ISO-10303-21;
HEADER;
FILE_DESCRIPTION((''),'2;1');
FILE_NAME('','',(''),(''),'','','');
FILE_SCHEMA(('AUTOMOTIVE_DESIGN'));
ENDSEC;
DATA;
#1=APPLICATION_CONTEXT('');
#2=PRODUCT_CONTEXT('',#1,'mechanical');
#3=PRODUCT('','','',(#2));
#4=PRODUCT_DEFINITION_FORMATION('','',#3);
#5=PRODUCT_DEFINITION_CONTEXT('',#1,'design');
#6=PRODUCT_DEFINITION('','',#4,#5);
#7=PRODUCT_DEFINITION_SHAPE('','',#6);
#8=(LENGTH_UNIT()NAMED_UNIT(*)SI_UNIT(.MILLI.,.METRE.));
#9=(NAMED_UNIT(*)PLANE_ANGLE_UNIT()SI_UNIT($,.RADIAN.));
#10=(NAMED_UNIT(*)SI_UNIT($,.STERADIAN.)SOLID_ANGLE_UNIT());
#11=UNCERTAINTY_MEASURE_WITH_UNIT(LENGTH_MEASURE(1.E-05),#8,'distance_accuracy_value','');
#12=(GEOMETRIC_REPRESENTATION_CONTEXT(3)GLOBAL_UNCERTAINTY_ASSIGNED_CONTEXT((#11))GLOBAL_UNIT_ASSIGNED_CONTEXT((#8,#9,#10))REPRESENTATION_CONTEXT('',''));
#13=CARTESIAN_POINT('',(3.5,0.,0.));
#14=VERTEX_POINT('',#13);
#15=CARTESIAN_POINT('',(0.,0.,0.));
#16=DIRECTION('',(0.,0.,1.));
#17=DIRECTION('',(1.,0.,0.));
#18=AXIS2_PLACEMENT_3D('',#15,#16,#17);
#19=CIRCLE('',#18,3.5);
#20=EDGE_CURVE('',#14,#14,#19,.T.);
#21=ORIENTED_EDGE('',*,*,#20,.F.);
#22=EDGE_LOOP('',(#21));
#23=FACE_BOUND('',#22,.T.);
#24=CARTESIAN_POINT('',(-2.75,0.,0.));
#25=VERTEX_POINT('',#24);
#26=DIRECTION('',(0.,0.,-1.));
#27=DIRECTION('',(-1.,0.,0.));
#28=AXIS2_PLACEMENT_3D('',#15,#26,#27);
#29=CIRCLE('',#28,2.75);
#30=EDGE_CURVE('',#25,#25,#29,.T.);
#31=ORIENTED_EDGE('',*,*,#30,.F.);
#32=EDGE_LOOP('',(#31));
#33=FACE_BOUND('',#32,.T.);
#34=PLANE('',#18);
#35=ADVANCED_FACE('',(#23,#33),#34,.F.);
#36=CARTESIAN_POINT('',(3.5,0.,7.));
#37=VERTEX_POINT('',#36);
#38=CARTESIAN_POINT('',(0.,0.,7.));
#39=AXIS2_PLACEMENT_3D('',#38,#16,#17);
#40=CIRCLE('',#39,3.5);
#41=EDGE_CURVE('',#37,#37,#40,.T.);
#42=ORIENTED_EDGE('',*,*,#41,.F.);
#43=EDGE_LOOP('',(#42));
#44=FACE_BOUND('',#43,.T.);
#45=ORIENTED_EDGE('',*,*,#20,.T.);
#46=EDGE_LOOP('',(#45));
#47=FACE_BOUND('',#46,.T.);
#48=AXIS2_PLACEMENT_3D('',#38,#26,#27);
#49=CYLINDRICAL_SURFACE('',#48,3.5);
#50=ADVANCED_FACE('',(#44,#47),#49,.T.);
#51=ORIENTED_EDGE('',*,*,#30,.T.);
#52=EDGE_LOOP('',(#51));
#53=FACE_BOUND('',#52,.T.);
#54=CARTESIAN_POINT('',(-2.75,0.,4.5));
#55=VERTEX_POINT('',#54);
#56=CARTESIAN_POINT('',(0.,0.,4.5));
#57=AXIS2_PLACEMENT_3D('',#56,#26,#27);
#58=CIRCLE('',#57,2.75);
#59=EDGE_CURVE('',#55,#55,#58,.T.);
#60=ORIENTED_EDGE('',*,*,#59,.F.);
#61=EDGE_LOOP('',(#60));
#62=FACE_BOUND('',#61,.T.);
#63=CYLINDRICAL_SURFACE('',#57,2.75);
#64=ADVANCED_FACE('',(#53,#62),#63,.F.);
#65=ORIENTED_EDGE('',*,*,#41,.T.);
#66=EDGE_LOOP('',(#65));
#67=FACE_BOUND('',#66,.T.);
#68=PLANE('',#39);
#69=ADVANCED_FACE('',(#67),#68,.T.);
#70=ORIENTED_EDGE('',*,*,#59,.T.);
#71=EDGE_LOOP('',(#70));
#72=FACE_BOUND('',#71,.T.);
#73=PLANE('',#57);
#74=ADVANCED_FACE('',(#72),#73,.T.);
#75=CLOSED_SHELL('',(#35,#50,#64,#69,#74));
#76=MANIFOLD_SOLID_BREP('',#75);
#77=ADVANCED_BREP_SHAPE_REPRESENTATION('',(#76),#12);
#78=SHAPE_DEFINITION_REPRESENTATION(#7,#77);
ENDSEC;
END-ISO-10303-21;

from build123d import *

# Parameters (mm, degrees)
SKETCH1_R           = 3.5
BOSS_EXTRUDE1_DEPTH = 7
SKETCH2_R           = 2.75
CUT_EXTRUDE1_DEPTH  = 4.5


with BuildPart() as part:
    # Sketch1 → Boss-Extrude1 (new body)
    with BuildSketch(Plane.XY):
        Circle(SKETCH1_R)
    extrude(amount=BOSS_EXTRUDE1_DEPTH)

    # Sketch2 → Cut-Extrude1 (cut)
    with BuildSketch(Plane(origin=(0, 0, 0), x_dir=(-1, 0, 0), z_dir=(0, 0, -1))):
        Circle(SKETCH2_R)
    extrude(amount=-CUT_EXTRUDE1_DEPTH, mode=Mode.SUBTRACT)


solid = part.part
